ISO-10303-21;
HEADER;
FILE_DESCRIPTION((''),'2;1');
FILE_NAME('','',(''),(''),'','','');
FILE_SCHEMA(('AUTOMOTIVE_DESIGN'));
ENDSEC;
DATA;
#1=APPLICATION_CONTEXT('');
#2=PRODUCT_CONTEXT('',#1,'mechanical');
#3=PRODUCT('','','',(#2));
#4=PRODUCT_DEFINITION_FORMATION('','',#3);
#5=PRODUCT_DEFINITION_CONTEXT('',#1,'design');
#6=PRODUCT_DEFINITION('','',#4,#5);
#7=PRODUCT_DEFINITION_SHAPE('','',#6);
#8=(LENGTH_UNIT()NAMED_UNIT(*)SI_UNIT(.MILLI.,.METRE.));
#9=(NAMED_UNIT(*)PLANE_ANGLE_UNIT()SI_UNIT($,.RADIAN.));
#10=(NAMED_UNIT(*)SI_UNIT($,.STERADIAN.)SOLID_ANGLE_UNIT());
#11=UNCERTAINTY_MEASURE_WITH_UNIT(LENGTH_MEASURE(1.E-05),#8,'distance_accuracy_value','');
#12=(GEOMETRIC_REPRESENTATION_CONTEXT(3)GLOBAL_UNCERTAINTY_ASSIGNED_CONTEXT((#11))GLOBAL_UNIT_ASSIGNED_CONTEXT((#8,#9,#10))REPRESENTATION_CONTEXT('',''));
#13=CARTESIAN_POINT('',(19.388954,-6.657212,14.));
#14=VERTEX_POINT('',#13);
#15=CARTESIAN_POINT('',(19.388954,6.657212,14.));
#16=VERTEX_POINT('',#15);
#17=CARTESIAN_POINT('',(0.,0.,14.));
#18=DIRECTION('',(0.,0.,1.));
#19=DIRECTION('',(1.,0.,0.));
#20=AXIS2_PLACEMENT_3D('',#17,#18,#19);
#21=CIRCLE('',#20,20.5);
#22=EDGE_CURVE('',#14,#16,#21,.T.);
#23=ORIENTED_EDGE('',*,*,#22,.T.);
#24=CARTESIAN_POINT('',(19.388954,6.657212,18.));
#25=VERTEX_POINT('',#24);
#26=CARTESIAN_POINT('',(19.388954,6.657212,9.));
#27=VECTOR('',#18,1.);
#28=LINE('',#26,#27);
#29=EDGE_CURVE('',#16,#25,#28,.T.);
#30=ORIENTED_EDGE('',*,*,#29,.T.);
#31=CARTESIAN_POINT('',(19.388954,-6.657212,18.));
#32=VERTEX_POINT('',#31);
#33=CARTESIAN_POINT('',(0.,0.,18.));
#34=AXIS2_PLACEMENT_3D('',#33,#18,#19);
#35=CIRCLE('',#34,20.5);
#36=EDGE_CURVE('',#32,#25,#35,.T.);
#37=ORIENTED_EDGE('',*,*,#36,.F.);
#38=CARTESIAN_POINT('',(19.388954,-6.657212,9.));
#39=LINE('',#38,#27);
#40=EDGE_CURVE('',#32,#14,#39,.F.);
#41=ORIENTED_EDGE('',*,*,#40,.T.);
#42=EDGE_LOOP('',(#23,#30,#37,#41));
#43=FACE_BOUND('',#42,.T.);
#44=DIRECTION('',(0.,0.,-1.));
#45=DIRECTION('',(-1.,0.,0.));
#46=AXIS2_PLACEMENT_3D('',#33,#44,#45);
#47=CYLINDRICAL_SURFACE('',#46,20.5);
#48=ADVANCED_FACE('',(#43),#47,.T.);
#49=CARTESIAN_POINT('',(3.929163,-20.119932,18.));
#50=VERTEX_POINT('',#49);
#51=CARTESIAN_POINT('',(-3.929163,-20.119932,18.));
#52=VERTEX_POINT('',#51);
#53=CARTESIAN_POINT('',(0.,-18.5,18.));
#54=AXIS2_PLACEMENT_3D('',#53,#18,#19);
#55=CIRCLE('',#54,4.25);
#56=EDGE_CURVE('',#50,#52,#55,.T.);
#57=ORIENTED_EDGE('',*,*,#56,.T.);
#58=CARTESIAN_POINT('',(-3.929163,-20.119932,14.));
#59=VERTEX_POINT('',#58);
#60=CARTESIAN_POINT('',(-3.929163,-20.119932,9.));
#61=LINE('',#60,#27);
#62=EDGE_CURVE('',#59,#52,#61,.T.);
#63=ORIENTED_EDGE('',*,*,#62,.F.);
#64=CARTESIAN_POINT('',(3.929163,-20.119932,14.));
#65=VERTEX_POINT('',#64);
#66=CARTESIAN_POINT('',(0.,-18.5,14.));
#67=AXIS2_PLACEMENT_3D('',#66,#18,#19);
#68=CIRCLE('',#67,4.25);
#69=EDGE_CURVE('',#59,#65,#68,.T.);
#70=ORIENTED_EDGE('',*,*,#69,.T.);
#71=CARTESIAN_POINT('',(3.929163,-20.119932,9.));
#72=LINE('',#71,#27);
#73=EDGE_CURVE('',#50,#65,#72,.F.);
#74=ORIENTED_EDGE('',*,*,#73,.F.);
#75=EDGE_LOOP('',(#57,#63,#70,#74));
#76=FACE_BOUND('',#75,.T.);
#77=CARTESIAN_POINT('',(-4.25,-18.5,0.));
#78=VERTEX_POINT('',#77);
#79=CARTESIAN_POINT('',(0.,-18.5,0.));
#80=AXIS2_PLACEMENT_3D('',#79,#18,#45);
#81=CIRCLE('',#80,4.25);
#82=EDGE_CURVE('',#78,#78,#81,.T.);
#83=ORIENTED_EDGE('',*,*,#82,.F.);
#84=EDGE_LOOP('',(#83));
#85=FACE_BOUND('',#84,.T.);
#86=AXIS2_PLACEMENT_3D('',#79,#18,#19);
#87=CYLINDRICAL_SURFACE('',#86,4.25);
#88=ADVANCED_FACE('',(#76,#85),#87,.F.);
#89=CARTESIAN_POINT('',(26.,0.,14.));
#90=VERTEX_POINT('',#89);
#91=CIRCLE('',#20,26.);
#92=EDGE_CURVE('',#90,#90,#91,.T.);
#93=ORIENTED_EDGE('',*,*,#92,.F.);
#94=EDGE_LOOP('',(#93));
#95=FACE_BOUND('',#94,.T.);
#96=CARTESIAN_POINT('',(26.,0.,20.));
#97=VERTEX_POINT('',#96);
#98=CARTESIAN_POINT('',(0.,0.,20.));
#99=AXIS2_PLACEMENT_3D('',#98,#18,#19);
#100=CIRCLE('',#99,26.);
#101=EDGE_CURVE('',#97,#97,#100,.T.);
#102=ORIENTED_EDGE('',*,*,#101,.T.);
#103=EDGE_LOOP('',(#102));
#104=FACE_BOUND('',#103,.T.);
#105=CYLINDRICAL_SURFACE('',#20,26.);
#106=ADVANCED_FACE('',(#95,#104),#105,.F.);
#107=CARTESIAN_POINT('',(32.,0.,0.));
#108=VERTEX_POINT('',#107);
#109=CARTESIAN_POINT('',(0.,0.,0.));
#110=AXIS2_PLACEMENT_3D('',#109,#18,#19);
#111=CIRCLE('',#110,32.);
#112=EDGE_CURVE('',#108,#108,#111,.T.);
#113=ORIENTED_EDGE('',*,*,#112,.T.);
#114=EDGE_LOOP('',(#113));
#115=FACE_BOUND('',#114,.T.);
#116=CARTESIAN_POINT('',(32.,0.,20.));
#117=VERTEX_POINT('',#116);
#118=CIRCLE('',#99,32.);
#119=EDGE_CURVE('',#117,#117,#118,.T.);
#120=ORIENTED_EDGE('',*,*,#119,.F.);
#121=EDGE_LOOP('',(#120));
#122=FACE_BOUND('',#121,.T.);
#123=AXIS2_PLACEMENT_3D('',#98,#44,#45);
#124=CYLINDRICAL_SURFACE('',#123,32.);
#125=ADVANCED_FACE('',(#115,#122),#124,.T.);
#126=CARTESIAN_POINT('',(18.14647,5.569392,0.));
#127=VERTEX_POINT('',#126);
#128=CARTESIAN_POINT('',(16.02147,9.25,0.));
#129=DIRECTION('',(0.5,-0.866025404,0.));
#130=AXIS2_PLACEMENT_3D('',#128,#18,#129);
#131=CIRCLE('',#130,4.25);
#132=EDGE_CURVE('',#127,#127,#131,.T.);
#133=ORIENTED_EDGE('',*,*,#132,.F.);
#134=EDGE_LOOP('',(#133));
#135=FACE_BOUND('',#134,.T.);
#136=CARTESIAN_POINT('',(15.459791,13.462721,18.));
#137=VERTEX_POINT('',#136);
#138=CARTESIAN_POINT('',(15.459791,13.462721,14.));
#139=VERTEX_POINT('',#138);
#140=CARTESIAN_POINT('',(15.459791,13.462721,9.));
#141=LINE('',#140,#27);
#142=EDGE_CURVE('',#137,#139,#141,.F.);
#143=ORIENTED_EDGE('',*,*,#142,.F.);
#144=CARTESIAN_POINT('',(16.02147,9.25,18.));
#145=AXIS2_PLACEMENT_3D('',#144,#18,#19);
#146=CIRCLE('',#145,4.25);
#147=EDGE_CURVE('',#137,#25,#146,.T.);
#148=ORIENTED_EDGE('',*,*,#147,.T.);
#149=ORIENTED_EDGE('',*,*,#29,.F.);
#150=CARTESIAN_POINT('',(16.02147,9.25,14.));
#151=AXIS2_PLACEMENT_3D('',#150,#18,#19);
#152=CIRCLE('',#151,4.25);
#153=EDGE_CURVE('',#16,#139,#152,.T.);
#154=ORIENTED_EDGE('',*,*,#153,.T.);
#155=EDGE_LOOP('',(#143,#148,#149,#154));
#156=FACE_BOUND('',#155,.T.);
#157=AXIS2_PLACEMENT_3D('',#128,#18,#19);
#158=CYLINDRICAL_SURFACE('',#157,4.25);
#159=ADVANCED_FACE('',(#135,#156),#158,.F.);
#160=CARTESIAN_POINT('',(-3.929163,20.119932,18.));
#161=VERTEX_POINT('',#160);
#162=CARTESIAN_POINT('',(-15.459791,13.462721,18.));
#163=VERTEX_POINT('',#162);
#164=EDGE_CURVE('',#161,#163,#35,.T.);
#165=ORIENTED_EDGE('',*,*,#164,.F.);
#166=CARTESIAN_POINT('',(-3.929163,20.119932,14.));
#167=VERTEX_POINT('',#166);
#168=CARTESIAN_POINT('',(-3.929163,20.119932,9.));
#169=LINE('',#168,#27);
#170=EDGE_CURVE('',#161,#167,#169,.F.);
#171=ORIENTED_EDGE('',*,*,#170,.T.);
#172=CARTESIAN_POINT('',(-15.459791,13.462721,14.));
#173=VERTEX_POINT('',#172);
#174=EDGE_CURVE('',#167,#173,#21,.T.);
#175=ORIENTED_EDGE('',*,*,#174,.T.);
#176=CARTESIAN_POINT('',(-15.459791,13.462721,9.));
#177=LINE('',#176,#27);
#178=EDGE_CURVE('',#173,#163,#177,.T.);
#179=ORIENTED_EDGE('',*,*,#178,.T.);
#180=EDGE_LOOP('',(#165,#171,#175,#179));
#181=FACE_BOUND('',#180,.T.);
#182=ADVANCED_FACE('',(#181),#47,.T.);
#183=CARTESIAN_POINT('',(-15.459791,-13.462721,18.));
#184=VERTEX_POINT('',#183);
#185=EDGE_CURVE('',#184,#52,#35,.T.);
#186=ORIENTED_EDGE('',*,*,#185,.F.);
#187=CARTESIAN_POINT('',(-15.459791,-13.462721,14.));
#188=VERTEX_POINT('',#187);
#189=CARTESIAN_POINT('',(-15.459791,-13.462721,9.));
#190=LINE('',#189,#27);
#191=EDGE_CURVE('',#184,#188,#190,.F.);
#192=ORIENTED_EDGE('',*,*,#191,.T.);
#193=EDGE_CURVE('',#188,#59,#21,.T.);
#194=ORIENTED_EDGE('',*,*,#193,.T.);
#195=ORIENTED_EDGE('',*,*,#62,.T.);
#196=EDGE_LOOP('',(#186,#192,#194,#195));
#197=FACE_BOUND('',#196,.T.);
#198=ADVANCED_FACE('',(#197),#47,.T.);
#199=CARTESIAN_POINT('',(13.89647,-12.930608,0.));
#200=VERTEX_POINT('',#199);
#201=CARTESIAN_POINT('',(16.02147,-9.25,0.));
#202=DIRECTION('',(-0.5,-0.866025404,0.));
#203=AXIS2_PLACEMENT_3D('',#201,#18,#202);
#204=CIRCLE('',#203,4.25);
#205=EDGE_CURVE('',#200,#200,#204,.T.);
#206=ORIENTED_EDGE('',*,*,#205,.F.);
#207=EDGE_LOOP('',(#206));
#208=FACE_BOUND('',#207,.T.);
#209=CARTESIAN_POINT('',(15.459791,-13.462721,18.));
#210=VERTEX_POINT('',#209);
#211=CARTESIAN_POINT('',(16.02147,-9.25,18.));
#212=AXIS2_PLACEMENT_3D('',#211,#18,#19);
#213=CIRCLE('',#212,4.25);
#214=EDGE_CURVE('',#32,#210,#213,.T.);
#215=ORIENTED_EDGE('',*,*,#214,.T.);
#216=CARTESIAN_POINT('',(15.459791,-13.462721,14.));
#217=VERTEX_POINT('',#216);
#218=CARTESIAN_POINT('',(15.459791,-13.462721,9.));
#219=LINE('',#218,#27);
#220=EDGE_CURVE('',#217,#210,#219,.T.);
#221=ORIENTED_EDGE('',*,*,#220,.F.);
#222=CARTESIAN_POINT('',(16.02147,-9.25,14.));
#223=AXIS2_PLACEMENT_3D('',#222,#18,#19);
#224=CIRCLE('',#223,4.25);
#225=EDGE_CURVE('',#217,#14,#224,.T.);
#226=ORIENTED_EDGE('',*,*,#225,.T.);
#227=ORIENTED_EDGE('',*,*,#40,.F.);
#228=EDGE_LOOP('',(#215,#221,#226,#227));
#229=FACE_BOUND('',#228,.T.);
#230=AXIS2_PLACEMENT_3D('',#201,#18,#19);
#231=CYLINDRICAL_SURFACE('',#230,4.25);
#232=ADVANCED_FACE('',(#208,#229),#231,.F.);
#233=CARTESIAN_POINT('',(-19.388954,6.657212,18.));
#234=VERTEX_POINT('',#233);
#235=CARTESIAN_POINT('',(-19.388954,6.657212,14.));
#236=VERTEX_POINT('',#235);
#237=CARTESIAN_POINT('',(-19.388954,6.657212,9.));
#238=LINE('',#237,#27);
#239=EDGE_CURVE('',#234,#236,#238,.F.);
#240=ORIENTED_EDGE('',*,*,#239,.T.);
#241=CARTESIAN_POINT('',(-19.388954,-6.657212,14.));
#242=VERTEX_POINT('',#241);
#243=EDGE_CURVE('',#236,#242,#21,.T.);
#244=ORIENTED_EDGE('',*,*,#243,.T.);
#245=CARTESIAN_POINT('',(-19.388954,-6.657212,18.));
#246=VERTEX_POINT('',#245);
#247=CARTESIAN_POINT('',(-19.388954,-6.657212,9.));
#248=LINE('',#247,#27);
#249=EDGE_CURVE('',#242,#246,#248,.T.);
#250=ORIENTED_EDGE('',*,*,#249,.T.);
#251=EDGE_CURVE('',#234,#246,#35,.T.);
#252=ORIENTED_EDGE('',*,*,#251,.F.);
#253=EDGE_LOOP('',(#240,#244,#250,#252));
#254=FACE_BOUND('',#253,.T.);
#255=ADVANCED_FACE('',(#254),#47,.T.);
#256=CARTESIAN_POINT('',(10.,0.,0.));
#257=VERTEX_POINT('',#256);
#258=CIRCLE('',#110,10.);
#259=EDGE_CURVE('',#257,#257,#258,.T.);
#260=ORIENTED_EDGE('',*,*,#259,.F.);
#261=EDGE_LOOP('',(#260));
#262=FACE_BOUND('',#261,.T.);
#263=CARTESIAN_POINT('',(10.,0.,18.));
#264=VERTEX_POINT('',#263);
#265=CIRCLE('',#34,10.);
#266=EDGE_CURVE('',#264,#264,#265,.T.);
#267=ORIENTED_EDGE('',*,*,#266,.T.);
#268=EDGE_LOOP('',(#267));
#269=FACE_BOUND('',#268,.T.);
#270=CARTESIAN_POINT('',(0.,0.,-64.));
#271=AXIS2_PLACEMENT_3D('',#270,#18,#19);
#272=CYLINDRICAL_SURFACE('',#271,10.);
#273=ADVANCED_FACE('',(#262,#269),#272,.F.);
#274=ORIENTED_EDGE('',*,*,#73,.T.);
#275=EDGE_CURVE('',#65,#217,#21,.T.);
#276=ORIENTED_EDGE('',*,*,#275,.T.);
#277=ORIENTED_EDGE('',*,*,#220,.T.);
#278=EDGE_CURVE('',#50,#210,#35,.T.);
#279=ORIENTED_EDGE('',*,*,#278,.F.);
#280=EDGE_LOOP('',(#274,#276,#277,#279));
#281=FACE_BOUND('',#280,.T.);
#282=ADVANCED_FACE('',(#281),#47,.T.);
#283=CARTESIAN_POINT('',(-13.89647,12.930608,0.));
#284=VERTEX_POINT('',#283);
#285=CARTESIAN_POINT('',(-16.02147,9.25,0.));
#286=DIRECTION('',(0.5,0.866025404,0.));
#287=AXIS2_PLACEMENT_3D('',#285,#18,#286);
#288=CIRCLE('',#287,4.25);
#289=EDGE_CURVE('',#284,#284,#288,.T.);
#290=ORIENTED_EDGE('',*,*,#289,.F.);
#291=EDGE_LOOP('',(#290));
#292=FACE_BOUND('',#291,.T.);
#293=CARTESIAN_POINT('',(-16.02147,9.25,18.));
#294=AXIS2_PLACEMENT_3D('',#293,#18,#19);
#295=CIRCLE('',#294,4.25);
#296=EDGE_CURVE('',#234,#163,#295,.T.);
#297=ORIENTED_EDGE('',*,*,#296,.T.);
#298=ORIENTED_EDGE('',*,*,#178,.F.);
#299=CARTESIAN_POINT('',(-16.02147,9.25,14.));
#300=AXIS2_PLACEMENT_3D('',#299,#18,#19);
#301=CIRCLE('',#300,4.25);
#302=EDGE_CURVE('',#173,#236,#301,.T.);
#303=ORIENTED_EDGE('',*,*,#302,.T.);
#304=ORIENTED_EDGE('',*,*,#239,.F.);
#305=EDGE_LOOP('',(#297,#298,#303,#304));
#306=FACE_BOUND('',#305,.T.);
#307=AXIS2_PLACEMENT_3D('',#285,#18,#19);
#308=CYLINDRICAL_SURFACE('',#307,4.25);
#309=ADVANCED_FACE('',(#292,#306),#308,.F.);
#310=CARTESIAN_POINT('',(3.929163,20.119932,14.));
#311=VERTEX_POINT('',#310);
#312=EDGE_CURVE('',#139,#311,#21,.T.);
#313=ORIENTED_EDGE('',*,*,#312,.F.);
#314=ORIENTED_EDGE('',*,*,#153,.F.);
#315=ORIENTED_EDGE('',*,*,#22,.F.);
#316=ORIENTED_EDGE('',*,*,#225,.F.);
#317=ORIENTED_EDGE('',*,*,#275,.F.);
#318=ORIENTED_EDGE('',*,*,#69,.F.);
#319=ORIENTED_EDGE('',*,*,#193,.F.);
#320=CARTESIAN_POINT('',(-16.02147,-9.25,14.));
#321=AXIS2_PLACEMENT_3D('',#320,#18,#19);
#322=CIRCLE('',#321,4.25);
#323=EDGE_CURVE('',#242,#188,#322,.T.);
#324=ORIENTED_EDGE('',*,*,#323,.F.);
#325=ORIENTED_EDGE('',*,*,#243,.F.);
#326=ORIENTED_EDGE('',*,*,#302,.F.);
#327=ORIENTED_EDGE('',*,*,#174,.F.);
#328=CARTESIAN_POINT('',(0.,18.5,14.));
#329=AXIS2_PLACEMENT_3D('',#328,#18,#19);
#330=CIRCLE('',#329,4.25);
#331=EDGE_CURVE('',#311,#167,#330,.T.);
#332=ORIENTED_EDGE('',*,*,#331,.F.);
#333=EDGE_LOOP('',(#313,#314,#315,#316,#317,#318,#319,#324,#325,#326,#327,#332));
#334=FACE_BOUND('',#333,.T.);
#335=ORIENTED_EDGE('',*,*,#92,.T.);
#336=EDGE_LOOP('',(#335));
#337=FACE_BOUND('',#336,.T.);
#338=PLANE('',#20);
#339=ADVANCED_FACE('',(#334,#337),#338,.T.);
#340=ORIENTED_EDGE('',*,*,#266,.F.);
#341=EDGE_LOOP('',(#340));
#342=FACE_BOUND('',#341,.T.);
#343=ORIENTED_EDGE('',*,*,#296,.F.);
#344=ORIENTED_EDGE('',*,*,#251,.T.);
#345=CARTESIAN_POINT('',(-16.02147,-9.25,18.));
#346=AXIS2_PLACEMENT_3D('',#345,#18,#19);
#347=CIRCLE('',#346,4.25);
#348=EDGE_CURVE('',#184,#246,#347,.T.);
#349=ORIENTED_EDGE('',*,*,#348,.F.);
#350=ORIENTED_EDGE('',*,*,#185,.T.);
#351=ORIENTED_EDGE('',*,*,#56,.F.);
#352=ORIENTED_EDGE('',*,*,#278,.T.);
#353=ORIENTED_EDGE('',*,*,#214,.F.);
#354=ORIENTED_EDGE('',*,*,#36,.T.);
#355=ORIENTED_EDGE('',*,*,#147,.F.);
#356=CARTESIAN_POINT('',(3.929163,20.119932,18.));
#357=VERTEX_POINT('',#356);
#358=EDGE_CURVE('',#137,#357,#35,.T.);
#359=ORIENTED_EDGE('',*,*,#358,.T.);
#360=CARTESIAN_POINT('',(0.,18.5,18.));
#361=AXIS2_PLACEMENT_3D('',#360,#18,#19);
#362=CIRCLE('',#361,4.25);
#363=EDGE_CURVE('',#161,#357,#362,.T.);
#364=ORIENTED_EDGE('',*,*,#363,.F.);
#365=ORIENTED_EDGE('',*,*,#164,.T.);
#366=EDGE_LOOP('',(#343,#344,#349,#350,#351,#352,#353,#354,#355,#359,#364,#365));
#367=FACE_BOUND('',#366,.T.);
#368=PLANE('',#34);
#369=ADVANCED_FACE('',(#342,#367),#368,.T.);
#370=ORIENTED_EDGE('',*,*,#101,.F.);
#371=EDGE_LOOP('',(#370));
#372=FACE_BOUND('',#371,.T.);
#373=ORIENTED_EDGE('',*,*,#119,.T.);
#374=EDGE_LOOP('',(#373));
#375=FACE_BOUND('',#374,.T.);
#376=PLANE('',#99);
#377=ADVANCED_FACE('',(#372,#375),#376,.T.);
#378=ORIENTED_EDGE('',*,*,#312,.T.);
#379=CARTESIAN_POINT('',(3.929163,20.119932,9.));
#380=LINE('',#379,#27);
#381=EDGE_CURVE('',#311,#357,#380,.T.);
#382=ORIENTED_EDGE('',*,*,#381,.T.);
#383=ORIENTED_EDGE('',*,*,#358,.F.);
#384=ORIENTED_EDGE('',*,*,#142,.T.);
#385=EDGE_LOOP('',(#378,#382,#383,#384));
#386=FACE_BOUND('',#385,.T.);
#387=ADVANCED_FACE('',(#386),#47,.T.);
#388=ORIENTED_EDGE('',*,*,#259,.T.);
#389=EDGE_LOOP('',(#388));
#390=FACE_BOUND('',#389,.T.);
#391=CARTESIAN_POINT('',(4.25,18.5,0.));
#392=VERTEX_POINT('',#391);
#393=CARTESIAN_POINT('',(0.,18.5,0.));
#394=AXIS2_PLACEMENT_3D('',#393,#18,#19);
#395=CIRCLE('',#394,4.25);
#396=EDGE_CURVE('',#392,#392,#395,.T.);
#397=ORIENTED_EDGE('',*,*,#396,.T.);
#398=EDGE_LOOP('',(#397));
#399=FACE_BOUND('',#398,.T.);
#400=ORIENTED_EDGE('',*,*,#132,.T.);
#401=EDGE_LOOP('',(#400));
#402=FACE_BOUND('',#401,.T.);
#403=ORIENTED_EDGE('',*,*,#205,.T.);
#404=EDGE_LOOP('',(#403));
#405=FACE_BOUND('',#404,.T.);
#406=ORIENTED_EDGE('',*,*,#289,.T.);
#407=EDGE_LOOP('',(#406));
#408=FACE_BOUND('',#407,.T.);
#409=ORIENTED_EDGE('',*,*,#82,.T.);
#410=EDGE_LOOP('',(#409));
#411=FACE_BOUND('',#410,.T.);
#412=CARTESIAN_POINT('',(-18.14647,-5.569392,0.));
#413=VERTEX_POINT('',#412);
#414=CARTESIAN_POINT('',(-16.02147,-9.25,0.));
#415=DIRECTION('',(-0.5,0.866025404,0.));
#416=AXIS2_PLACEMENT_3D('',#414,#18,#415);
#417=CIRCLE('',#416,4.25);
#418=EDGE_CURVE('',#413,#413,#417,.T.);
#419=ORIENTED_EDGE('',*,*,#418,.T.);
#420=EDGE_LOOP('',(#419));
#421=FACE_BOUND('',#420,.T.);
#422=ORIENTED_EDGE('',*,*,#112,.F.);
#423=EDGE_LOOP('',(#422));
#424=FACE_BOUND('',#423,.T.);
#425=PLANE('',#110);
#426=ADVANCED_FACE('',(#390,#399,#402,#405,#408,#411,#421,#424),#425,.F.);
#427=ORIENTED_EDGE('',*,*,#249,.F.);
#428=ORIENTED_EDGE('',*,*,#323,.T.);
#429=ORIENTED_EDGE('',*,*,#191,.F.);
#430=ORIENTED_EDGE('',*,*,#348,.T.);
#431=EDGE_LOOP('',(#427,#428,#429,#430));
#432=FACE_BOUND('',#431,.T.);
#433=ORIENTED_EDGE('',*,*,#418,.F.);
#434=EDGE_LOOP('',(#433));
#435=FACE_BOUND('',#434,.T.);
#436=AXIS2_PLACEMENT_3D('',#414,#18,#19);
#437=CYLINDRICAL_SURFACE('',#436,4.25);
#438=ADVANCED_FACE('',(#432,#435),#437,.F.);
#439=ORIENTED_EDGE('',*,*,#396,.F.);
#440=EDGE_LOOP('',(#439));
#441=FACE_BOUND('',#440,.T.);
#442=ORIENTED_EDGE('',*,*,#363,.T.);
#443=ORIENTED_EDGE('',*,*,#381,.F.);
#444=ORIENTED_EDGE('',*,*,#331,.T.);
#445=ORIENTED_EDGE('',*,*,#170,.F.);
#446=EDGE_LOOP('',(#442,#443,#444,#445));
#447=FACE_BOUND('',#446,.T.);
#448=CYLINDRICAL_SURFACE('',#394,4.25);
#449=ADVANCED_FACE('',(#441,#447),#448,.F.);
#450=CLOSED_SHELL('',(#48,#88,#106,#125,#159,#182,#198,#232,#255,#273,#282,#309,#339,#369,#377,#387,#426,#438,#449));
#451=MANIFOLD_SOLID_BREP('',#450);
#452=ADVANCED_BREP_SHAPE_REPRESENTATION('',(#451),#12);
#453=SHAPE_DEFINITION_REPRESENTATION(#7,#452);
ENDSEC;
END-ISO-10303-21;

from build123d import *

# Parameters (mm, degrees)
SKETCH1_R           = 32
BOSS_EXTRUDE1_DEPTH = 20
SKETCH2_R           = 26
CUT_EXTRUDE1_DEPTH  = 6
SKETCH3_R           = 20.5
BOSS_EXTRUDE2_DEPTH = 4
SKETCH4_R           = 10
CUT_EXTRUDE2_DEPTH  = 82
SKETCH5_R           = 4.25
CUT_EXTRUDE3_DEPTH  = 19
CIRPATTERN1_COUNT   = 6


with BuildPart() as part:
    # Sketch1 → Boss-Extrude1 (new body)
    with BuildSketch(Plane.XY):
        Circle(SKETCH1_R)
    extrude(amount=BOSS_EXTRUDE1_DEPTH)

    # Sketch2 → Cut-Extrude1 (cut)
    with BuildSketch(Plane.XY.offset(20)):
        Circle(SKETCH2_R)
    extrude(amount=-CUT_EXTRUDE1_DEPTH, mode=Mode.SUBTRACT)

    # Sketch3 → Boss-Extrude2 (add)
    with BuildSketch(Plane.XY.offset(14)):
        Circle(SKETCH3_R)
    extrude(amount=BOSS_EXTRUDE2_DEPTH)

    # Sketch4 → Cut-Extrude2 (cut)
    with BuildSketch(Plane.XY.offset(18)):
        Circle(SKETCH4_R)
    extrude(amount=-CUT_EXTRUDE2_DEPTH, mode=Mode.SUBTRACT)

    # Sketch5 → Cut-Extrude3 (cut, through all)
    with BuildSketch(Plane.XY.offset(18)):
        with Locations((0, 18.5)):
            Circle(SKETCH5_R)
    cut_extrude3 = extrude(amount=-CUT_EXTRUDE3_DEPTH, mode=Mode.SUBTRACT)

    # CirPattern1: Cut-Extrude3 ×6 about axis
    cirpattern1_axis = Axis((0, 0, 0), (0, 0, 1))
    for i in range(1, CIRPATTERN1_COUNT):
        add(cut_extrude3.rotate(cirpattern1_axis, i * 360 / CIRPATTERN1_COUNT), mode=Mode.SUBTRACT)


solid = part.part
